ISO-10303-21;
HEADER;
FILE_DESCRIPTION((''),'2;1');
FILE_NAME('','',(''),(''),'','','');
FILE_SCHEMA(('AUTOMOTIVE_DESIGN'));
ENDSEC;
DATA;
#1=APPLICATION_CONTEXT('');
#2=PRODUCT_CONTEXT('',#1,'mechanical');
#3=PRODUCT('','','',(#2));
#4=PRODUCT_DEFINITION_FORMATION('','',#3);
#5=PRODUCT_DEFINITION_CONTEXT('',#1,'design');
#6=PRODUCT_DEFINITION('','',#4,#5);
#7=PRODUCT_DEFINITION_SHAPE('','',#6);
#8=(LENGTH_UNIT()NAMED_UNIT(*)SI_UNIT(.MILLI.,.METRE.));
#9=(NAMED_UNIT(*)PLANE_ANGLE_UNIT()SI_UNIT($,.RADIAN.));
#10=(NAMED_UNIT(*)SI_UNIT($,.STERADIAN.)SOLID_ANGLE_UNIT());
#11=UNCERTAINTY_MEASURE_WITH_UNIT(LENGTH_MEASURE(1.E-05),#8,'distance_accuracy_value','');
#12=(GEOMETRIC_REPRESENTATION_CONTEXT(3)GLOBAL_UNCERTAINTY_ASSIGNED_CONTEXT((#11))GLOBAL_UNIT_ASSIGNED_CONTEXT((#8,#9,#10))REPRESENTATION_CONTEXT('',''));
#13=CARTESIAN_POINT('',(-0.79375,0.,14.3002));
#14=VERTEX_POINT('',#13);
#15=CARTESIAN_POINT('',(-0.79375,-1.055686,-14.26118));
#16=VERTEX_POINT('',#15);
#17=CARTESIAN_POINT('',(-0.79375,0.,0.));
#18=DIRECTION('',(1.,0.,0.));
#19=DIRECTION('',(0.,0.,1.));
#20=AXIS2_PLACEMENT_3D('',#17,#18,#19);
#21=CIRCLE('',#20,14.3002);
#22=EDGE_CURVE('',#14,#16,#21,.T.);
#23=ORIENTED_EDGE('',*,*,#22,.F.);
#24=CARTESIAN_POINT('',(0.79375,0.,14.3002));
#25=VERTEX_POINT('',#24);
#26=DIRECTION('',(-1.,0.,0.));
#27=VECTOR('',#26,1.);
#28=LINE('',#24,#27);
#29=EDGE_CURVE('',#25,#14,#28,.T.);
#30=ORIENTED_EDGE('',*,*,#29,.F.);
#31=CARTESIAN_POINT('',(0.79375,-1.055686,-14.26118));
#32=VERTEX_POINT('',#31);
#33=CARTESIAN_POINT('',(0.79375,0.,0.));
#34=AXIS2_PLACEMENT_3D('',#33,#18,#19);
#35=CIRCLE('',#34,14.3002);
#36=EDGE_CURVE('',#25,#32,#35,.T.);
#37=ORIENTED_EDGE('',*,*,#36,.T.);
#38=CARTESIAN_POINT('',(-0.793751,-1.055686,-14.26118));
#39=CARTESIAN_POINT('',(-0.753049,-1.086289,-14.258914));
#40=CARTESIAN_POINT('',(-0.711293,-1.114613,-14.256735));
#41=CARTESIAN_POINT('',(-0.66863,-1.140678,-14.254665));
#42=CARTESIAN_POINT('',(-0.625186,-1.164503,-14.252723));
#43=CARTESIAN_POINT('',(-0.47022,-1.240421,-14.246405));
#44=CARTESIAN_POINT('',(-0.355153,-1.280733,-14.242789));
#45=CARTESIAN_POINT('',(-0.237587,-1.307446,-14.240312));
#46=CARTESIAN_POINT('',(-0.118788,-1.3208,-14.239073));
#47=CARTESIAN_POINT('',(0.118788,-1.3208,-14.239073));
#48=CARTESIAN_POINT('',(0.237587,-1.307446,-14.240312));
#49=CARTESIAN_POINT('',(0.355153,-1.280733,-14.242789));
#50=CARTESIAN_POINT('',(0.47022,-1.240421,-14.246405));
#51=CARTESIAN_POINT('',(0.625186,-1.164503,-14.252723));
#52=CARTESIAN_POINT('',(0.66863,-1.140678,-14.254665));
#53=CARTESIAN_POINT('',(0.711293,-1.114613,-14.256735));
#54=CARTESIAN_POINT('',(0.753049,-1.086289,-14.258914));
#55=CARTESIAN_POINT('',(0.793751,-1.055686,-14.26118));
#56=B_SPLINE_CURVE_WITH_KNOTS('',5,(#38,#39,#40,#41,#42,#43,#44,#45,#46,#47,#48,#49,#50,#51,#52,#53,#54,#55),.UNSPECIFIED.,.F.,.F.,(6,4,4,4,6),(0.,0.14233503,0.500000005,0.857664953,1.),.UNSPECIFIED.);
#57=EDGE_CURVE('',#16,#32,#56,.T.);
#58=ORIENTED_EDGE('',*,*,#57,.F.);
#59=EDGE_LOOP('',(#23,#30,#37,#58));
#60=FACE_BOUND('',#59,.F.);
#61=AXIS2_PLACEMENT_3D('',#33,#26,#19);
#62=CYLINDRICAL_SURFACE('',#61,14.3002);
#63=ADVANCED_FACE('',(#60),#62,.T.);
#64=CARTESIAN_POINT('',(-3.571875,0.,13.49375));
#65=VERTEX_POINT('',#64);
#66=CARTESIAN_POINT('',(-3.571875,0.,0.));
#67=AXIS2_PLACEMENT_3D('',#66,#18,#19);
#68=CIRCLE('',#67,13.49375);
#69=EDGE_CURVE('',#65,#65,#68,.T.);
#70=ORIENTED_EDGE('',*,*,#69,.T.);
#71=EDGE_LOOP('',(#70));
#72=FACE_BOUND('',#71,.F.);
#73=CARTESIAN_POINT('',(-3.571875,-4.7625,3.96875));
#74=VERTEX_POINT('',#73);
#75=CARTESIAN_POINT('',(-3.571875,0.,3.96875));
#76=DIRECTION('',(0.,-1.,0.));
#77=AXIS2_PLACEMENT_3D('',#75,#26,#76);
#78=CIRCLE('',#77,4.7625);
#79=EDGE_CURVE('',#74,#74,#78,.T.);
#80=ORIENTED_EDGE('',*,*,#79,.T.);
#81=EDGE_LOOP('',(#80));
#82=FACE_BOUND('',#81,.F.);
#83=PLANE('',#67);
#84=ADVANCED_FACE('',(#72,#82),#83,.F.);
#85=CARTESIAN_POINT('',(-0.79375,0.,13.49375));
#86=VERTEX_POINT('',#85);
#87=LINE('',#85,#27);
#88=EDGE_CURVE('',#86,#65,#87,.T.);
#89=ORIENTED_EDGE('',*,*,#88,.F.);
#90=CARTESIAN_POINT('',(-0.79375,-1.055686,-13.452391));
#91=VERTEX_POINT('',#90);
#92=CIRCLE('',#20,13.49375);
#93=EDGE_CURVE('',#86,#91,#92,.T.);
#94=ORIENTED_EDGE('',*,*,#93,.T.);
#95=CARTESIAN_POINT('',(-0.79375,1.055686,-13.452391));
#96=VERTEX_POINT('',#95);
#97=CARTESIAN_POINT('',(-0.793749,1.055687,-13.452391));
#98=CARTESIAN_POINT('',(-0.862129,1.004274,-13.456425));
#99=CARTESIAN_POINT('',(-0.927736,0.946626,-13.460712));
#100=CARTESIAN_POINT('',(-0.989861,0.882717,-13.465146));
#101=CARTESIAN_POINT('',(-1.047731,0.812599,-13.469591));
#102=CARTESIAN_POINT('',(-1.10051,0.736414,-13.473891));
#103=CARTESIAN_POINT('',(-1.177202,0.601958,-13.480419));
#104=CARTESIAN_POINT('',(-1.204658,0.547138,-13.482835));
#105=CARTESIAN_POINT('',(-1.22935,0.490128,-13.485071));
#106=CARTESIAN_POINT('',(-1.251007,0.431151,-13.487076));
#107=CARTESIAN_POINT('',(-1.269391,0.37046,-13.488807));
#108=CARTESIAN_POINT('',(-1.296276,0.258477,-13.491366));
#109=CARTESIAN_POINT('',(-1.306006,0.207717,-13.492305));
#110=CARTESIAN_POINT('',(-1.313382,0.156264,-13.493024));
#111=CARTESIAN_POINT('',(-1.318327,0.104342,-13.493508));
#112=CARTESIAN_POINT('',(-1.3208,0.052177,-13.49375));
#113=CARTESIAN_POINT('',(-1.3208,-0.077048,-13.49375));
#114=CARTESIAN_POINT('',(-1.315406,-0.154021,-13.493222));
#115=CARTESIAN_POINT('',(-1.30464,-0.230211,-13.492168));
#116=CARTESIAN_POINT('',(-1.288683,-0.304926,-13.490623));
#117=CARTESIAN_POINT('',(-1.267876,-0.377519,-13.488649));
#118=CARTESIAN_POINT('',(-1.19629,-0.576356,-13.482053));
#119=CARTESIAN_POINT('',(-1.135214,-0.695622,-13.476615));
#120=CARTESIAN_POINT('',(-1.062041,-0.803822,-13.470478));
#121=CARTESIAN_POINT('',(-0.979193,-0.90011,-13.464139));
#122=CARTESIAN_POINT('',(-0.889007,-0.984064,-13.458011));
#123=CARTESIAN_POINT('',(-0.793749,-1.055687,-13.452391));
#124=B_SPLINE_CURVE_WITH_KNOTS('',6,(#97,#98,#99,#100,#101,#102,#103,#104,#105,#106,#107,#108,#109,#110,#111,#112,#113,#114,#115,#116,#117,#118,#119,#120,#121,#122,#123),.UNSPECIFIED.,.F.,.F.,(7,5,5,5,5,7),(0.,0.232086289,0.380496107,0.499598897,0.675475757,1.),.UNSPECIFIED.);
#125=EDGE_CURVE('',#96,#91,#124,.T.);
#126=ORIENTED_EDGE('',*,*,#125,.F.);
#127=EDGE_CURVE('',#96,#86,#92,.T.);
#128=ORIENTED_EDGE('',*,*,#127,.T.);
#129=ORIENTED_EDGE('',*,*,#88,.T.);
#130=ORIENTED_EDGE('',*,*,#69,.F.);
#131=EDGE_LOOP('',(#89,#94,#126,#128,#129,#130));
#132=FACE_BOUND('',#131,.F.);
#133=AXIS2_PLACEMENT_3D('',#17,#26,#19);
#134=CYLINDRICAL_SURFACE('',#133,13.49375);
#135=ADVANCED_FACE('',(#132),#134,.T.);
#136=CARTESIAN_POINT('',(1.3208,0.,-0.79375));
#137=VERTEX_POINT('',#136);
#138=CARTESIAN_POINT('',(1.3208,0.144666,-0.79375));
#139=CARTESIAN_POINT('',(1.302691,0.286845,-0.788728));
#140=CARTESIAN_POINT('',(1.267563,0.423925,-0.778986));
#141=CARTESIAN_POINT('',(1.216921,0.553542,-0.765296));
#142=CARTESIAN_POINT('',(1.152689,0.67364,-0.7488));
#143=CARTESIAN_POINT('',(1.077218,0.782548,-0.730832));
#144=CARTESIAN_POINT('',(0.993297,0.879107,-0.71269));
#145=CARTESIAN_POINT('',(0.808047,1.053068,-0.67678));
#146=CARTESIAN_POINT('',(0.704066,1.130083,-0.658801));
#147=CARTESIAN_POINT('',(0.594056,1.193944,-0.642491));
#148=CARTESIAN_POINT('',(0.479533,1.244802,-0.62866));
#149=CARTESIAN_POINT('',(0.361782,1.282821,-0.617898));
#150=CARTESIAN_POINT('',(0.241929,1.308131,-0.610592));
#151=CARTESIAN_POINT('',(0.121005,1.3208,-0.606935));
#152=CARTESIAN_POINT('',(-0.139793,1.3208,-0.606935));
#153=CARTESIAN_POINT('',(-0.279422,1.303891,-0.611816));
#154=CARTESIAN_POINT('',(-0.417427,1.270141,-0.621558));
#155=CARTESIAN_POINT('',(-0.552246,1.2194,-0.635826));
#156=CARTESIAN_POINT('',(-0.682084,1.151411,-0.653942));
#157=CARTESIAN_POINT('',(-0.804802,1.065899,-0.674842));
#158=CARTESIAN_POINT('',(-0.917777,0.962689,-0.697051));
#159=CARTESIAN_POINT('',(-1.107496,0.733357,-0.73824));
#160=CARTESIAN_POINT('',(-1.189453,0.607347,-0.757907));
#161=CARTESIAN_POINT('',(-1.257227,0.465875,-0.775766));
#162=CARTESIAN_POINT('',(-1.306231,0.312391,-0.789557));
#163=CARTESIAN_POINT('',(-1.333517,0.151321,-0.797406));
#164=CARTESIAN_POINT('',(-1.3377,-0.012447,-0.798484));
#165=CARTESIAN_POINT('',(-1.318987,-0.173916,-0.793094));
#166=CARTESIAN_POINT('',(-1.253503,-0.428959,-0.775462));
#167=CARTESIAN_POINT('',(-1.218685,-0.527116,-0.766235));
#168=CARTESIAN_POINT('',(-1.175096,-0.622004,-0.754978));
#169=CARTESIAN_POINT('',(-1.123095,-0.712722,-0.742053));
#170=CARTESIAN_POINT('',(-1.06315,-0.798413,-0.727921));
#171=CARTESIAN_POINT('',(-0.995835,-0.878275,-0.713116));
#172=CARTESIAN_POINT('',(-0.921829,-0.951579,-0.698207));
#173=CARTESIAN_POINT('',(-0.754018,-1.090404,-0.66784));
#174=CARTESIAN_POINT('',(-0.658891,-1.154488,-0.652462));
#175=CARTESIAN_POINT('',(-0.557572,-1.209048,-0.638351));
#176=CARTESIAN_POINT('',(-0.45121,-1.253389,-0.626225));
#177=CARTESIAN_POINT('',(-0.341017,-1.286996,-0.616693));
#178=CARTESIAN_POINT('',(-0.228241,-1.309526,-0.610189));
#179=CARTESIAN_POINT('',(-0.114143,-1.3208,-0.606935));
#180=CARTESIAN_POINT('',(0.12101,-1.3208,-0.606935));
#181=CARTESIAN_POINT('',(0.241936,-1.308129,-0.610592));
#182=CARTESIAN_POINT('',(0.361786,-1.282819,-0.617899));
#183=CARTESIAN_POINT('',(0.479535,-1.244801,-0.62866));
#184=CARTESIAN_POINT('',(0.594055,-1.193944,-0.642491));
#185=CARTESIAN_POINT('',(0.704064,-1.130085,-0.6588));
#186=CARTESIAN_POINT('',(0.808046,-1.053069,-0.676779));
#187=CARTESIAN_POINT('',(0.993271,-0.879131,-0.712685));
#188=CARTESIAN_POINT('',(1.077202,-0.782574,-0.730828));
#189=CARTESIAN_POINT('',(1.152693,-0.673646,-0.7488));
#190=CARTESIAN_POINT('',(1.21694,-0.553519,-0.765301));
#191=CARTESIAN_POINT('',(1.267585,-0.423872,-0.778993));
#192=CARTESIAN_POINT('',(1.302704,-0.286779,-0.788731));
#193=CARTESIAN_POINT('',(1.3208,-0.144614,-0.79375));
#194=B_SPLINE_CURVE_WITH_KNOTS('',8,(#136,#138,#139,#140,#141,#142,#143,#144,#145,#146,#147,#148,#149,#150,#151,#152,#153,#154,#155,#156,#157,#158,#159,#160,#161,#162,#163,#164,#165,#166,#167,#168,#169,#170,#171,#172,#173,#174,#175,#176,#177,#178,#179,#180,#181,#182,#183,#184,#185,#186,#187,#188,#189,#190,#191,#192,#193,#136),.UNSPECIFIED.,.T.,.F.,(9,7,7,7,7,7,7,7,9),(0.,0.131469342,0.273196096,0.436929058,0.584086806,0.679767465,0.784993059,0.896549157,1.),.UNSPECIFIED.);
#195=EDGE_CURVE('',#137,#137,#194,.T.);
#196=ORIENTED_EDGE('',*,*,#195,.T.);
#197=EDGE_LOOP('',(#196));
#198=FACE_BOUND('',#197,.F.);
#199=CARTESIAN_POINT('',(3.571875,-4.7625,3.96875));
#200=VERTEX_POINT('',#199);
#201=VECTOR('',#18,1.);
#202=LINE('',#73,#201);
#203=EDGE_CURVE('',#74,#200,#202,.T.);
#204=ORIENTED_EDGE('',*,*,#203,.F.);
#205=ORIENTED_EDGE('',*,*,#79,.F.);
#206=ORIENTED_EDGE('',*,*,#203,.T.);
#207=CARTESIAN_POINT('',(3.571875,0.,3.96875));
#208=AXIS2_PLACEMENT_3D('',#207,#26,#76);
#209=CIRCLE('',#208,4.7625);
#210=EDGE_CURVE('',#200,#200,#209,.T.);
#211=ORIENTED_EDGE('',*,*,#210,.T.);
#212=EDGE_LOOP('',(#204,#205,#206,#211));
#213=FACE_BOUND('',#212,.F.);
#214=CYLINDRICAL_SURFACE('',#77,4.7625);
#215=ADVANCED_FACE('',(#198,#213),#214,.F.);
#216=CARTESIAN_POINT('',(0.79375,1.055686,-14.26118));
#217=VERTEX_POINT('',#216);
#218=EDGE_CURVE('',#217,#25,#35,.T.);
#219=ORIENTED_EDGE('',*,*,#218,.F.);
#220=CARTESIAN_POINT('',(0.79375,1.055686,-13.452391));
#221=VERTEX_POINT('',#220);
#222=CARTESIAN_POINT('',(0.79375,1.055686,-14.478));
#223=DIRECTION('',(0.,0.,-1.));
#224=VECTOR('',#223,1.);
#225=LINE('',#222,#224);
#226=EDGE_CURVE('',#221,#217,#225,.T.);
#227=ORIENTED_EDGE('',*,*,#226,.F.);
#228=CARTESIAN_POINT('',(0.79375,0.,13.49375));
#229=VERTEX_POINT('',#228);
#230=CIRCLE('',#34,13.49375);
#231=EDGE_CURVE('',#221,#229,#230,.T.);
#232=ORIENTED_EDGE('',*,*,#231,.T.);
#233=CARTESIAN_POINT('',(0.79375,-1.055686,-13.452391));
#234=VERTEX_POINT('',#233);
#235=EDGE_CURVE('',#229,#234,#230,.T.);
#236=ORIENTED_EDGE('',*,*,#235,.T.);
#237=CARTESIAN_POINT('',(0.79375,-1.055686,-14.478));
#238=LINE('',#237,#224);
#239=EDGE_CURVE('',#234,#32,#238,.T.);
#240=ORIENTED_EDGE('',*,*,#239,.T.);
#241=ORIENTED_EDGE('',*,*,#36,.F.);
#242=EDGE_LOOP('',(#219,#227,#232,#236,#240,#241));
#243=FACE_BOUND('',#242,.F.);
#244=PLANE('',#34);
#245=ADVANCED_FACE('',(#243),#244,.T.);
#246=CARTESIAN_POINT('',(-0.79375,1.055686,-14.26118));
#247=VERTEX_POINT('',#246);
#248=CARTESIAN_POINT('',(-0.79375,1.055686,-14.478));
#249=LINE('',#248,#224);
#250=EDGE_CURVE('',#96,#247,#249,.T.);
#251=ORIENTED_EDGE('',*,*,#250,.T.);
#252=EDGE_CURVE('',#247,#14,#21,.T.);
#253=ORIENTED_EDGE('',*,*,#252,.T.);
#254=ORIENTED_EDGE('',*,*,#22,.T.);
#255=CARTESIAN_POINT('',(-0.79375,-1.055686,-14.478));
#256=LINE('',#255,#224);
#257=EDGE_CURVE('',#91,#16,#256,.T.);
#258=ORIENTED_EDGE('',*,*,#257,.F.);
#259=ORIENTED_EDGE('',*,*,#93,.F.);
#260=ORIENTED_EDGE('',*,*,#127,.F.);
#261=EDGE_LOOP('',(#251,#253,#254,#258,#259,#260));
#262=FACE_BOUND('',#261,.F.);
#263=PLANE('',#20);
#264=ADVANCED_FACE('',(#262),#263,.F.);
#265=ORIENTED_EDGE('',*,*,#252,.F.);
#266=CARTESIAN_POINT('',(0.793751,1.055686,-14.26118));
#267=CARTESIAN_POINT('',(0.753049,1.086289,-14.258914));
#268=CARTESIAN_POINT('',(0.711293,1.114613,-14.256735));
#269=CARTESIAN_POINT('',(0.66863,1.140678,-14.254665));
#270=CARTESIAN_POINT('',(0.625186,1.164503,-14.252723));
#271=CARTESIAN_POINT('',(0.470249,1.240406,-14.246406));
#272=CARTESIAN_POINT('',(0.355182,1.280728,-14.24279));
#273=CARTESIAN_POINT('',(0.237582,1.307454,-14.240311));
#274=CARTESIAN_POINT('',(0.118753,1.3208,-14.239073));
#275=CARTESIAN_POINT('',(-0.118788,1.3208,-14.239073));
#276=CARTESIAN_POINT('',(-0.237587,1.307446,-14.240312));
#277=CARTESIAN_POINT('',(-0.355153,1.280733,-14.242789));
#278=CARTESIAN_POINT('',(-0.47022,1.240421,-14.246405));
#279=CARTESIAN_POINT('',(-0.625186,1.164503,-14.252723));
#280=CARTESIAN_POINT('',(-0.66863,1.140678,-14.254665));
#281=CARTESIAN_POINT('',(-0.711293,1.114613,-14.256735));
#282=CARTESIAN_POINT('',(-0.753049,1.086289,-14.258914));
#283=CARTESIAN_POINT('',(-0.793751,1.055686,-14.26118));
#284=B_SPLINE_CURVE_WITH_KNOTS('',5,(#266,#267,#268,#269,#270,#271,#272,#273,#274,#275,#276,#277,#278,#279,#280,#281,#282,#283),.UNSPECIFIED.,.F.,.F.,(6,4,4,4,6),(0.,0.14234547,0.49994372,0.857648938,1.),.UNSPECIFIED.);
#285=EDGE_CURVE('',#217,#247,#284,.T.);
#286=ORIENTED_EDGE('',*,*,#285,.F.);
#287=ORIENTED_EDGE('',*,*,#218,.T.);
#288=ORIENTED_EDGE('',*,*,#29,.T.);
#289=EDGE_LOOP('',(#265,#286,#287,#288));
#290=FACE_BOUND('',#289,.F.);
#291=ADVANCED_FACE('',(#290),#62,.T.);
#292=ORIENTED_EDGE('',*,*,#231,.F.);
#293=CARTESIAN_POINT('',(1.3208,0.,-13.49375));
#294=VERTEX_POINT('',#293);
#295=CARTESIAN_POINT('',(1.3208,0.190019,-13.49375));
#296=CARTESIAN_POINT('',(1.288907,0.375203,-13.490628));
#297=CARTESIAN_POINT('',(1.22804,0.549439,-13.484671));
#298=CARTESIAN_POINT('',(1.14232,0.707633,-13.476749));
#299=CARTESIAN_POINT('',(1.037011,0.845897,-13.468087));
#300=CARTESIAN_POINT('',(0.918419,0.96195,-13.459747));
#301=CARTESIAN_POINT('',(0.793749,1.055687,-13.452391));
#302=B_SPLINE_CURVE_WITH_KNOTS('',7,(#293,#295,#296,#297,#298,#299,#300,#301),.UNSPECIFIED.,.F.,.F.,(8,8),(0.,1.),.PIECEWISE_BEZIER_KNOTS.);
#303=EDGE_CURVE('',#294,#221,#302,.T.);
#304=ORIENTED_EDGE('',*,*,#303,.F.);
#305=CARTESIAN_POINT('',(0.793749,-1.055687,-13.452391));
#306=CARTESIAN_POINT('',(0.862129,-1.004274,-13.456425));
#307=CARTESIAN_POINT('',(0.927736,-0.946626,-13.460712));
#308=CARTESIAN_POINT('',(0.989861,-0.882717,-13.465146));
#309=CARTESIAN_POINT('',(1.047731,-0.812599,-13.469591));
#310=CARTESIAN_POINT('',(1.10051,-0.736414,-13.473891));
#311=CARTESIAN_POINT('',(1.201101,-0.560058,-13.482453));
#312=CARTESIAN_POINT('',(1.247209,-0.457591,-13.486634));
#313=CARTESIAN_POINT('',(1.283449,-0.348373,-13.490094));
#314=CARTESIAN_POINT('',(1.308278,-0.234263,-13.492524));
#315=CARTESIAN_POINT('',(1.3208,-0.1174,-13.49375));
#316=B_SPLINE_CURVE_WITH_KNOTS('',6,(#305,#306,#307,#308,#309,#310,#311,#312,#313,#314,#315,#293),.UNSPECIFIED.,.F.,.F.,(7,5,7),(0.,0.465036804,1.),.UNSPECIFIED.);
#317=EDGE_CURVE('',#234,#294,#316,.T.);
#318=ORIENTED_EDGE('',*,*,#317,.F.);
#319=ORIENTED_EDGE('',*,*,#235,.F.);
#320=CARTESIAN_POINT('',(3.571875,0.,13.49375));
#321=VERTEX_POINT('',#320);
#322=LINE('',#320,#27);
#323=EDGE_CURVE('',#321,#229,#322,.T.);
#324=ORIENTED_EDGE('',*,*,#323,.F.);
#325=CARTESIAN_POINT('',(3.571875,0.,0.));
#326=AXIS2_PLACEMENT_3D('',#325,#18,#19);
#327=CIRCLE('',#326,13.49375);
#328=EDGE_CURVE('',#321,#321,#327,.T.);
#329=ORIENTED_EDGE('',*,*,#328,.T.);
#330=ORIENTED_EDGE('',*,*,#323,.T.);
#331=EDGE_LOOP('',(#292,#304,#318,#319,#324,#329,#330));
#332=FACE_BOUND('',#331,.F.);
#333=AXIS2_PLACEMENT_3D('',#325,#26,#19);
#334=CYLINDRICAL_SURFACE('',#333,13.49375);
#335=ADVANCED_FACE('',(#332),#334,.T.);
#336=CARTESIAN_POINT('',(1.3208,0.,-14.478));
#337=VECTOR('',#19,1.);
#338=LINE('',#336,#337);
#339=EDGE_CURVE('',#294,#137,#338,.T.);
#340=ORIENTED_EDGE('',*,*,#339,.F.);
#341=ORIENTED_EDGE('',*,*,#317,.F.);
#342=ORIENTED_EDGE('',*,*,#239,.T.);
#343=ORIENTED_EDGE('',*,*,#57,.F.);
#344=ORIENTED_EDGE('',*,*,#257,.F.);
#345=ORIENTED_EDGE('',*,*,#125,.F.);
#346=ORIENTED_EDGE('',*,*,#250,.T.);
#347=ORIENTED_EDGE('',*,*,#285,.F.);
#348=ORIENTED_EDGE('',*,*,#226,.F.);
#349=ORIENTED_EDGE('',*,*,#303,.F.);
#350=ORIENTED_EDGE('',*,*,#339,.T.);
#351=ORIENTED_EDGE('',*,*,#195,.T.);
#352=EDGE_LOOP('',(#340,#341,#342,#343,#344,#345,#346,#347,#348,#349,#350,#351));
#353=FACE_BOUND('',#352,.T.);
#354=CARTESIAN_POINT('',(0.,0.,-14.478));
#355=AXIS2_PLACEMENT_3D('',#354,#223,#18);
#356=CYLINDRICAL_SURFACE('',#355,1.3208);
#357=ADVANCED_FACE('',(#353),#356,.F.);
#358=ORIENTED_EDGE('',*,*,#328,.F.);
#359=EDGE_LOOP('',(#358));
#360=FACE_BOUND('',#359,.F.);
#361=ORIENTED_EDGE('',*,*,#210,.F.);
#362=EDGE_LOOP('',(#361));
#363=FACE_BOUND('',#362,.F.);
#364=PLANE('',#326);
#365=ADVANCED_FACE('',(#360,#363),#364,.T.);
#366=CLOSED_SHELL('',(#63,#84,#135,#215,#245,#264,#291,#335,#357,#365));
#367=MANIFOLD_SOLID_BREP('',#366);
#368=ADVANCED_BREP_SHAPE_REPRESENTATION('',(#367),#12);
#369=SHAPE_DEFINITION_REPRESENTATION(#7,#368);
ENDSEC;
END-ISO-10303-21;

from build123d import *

# Parameters (mm, degrees)
F2_R     = 4.7625
F3_DEPTH = 7.14475
F5_R     = 1.3208
F6_DEPTH = 14.2875


with BuildPart() as f1:
    # F0 (on Front) → F1 (revolve)
    with BuildSketch(Plane.XZ):
        Polygon((-3.571875, 13.49375), (-3.571875, 0), (3.571875, 0), (3.571875, 13.49375), (0.79375, 13.49375), (0.79375, 14.3002), (-0.79375, 14.3002), (-0.79375, 13.49375), align=None)
    revolve(axis=Axis((0, 0, 0), (1, 0, 0)))

    # F2 (on face) → F3 (cut, through all)
    with BuildSketch(Plane(origin=(-3.571875, 0, 0), x_dir=(0, -1, 0), z_dir=(-1, 0, 0))):
        with Locations((0, 3.96875)):
            Circle(F2_R)
    extrude(amount=-F3_DEPTH, mode=Mode.SUBTRACT)

    # F5 (on offset) → F6 (cut)
    with BuildSketch(Plane.XY.offset(-14.478)):
        Circle(F5_R)
    extrude(amount=F6_DEPTH, mode=Mode.SUBTRACT)


solid = f1.part
